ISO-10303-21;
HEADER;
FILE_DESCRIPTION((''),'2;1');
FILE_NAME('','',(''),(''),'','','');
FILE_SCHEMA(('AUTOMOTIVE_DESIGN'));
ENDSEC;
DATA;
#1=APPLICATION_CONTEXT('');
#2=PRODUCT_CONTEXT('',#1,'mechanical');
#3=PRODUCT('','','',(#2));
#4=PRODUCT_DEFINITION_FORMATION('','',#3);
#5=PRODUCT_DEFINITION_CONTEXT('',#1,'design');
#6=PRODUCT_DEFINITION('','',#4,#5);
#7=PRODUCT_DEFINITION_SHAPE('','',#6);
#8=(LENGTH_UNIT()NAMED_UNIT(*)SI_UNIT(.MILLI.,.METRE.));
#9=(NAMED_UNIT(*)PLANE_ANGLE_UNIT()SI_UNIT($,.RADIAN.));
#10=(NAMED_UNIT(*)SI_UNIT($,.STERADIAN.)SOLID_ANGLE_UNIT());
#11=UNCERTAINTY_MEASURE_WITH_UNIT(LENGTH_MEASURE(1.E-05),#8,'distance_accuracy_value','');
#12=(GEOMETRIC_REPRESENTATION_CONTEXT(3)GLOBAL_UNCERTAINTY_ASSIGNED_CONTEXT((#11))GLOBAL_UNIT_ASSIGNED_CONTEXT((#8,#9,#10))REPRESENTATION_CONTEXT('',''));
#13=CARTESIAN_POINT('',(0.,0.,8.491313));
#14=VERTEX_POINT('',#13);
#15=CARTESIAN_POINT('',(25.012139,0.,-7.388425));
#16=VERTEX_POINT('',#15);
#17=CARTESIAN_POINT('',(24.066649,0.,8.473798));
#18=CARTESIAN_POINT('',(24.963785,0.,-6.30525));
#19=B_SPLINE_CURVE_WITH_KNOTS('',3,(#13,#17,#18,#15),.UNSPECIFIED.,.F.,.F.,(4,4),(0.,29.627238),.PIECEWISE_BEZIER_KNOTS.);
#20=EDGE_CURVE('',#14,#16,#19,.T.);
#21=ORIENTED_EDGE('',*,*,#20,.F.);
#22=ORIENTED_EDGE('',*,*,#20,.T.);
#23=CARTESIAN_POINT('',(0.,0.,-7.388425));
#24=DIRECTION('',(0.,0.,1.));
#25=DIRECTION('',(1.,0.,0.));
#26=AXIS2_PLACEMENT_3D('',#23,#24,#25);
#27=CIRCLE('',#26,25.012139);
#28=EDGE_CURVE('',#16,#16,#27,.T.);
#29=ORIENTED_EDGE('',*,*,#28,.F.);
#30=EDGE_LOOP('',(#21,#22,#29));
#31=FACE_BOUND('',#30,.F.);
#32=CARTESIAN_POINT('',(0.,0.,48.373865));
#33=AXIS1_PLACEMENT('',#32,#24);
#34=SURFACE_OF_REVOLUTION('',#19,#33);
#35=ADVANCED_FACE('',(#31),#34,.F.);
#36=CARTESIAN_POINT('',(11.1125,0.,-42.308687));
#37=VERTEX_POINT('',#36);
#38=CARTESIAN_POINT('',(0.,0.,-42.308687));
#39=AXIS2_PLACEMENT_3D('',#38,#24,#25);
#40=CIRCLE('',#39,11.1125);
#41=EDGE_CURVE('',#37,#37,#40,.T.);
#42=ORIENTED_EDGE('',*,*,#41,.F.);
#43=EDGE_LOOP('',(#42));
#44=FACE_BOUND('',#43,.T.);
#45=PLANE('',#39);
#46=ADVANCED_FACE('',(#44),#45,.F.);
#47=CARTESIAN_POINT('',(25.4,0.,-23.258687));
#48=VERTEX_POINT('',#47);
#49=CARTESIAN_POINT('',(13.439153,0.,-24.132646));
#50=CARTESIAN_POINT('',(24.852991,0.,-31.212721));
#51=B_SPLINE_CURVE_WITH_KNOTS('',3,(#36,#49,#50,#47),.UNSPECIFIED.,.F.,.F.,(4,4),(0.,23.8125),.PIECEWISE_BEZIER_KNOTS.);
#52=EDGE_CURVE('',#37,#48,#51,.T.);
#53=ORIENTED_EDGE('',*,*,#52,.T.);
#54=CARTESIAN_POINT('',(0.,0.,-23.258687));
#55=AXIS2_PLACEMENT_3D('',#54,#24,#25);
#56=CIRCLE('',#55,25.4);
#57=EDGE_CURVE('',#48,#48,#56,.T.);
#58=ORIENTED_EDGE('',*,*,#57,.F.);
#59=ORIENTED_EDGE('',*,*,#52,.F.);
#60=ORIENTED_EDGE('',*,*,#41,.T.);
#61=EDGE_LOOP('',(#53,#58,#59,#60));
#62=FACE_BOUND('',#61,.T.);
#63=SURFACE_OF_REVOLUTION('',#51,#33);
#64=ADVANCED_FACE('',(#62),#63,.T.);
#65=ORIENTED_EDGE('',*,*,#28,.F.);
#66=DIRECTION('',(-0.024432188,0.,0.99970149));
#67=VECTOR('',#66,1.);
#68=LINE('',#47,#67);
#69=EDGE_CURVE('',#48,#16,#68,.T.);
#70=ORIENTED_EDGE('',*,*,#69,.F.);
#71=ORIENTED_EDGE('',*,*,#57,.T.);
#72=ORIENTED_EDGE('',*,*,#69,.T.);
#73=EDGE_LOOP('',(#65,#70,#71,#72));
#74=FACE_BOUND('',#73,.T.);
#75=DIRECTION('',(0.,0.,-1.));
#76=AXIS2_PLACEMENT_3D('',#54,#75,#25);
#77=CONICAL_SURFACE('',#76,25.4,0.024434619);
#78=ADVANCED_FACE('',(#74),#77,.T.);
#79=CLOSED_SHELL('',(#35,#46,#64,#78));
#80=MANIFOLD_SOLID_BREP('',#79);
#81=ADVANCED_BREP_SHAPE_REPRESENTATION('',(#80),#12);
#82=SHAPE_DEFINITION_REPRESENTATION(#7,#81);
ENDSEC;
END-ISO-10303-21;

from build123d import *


with BuildPart() as f1:
    # F0 (on Front) → F1 (revolve)
    with BuildSketch(Plane.XZ):
        with BuildLine():
            Line((25.4, -23.258687), (25.012139, -7.388425))
            add(Edge.make_bspline(
                [(0, 8.491313), (24.066649, 8.473798), (24.963785, -6.30525), (25.012139, -7.388425)],
                knots=[0, 0, 0, 0, 29.627238, 29.627238, 29.627238, 29.627238], degree=3))
            Line((0, 8.491313), (0, -42.308687))
            Line((0, -42.308687), (11.1125, -42.308687))
            add(Edge.make_bspline(
                [(11.1125, -42.308687), (13.439153, -24.132646), (24.852991, -31.212721), (25.4, -23.258687)],
                knots=[0, 0, 0, 0, 23.8125, 23.8125, 23.8125, 23.8125], degree=3))
        make_face()
    revolve(axis=Axis((0, 0, 48.373865), (0, 0, 1)))


solid = f1.part
